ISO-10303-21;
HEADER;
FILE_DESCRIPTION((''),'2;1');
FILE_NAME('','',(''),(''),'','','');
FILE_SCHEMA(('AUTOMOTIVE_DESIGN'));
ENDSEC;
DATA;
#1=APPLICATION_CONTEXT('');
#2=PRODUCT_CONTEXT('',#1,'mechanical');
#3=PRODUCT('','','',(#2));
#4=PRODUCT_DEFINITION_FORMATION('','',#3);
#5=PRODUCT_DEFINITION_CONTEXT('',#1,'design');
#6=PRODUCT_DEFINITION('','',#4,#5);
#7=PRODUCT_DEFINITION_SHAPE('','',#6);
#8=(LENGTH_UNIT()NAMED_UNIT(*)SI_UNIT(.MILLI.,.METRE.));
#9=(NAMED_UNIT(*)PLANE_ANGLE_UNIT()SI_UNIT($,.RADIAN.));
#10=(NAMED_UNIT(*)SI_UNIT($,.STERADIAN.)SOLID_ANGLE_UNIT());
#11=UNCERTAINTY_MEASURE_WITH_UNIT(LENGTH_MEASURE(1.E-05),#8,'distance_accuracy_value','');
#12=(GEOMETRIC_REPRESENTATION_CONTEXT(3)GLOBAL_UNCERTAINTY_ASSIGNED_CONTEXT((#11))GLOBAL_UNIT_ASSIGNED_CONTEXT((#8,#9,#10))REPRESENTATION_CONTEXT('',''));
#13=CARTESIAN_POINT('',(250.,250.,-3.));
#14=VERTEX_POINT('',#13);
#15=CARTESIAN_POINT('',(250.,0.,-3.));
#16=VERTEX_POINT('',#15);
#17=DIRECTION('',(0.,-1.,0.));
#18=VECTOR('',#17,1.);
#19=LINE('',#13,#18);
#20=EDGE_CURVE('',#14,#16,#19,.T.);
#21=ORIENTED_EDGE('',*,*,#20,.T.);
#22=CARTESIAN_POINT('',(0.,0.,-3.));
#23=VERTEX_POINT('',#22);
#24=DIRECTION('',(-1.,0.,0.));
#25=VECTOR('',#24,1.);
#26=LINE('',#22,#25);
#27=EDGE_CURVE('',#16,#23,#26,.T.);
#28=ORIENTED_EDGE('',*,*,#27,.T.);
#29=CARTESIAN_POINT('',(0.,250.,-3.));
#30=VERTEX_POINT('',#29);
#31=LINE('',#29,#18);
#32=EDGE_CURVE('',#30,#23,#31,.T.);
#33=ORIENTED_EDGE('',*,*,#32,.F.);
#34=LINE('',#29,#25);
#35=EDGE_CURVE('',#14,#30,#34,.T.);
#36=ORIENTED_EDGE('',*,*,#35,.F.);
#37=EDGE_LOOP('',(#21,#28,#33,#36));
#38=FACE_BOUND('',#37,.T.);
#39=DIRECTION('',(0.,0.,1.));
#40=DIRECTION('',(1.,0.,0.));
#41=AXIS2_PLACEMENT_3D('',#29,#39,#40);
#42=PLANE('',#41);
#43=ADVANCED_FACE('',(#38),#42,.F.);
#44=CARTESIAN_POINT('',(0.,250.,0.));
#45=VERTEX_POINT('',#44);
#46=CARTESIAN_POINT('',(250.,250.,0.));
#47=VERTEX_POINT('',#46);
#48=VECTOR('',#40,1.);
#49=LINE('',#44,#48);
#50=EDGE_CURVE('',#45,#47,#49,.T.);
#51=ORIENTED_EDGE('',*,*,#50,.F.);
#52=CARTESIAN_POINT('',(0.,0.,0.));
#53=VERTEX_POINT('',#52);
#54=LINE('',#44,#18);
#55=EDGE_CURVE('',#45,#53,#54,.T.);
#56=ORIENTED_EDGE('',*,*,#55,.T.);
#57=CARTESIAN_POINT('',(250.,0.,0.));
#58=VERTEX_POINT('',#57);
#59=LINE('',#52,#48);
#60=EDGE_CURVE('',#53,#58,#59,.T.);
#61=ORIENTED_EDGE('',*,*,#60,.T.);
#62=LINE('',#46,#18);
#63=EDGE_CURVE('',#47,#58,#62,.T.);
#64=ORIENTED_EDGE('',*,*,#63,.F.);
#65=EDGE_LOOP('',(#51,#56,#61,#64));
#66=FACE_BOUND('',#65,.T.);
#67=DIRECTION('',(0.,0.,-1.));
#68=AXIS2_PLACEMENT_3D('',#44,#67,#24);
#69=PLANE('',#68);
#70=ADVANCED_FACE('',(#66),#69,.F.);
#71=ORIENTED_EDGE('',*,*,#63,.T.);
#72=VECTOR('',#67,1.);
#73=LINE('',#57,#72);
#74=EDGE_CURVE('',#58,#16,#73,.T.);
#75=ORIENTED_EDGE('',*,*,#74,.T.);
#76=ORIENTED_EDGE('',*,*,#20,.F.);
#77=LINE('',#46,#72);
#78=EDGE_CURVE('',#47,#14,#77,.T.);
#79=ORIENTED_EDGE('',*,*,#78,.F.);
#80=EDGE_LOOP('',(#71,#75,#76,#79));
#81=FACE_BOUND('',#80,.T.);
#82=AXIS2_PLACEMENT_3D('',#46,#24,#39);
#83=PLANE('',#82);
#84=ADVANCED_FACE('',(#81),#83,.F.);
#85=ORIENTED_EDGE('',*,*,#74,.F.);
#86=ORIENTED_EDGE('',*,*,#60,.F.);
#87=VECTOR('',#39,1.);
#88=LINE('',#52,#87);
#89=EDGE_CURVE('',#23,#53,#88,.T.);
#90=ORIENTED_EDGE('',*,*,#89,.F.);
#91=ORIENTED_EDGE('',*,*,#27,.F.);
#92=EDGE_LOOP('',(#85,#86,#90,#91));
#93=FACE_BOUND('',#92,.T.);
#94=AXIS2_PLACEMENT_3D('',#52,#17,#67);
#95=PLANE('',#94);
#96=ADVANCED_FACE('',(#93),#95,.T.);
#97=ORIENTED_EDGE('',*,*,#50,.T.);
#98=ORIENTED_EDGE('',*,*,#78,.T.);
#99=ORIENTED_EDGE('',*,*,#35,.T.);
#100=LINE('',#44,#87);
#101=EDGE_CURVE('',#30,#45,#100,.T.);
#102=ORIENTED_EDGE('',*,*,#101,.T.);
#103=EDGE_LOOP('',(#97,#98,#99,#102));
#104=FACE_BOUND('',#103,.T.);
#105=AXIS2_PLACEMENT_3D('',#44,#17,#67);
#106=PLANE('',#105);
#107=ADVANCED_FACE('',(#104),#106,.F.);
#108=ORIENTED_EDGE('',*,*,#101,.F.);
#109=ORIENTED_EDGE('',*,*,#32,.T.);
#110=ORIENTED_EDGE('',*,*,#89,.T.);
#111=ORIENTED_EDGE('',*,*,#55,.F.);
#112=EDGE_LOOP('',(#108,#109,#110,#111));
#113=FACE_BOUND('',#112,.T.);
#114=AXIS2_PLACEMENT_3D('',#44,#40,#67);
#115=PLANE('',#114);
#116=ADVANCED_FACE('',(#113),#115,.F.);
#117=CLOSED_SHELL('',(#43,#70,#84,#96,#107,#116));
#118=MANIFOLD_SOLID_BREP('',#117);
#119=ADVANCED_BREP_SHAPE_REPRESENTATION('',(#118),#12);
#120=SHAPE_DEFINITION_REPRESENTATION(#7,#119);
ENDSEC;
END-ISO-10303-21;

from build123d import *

# Parameters (mm, degrees)
SKETCH_1_W      = 250
SKETCH_1_H      = 3
EXTRUDE_1_DEPTH = 250


with BuildPart() as part:
    # 스케치1 → 보스-돌출1 (new body)
    with BuildSketch(Plane(origin=(0, 0, 0), x_dir=(1, 0, 0), z_dir=(0, 1, 0))):
        with Locations((125, 1.5)):
            Rectangle(SKETCH_1_W, SKETCH_1_H)
    extrude(amount=EXTRUDE_1_DEPTH)


solid = part.part
